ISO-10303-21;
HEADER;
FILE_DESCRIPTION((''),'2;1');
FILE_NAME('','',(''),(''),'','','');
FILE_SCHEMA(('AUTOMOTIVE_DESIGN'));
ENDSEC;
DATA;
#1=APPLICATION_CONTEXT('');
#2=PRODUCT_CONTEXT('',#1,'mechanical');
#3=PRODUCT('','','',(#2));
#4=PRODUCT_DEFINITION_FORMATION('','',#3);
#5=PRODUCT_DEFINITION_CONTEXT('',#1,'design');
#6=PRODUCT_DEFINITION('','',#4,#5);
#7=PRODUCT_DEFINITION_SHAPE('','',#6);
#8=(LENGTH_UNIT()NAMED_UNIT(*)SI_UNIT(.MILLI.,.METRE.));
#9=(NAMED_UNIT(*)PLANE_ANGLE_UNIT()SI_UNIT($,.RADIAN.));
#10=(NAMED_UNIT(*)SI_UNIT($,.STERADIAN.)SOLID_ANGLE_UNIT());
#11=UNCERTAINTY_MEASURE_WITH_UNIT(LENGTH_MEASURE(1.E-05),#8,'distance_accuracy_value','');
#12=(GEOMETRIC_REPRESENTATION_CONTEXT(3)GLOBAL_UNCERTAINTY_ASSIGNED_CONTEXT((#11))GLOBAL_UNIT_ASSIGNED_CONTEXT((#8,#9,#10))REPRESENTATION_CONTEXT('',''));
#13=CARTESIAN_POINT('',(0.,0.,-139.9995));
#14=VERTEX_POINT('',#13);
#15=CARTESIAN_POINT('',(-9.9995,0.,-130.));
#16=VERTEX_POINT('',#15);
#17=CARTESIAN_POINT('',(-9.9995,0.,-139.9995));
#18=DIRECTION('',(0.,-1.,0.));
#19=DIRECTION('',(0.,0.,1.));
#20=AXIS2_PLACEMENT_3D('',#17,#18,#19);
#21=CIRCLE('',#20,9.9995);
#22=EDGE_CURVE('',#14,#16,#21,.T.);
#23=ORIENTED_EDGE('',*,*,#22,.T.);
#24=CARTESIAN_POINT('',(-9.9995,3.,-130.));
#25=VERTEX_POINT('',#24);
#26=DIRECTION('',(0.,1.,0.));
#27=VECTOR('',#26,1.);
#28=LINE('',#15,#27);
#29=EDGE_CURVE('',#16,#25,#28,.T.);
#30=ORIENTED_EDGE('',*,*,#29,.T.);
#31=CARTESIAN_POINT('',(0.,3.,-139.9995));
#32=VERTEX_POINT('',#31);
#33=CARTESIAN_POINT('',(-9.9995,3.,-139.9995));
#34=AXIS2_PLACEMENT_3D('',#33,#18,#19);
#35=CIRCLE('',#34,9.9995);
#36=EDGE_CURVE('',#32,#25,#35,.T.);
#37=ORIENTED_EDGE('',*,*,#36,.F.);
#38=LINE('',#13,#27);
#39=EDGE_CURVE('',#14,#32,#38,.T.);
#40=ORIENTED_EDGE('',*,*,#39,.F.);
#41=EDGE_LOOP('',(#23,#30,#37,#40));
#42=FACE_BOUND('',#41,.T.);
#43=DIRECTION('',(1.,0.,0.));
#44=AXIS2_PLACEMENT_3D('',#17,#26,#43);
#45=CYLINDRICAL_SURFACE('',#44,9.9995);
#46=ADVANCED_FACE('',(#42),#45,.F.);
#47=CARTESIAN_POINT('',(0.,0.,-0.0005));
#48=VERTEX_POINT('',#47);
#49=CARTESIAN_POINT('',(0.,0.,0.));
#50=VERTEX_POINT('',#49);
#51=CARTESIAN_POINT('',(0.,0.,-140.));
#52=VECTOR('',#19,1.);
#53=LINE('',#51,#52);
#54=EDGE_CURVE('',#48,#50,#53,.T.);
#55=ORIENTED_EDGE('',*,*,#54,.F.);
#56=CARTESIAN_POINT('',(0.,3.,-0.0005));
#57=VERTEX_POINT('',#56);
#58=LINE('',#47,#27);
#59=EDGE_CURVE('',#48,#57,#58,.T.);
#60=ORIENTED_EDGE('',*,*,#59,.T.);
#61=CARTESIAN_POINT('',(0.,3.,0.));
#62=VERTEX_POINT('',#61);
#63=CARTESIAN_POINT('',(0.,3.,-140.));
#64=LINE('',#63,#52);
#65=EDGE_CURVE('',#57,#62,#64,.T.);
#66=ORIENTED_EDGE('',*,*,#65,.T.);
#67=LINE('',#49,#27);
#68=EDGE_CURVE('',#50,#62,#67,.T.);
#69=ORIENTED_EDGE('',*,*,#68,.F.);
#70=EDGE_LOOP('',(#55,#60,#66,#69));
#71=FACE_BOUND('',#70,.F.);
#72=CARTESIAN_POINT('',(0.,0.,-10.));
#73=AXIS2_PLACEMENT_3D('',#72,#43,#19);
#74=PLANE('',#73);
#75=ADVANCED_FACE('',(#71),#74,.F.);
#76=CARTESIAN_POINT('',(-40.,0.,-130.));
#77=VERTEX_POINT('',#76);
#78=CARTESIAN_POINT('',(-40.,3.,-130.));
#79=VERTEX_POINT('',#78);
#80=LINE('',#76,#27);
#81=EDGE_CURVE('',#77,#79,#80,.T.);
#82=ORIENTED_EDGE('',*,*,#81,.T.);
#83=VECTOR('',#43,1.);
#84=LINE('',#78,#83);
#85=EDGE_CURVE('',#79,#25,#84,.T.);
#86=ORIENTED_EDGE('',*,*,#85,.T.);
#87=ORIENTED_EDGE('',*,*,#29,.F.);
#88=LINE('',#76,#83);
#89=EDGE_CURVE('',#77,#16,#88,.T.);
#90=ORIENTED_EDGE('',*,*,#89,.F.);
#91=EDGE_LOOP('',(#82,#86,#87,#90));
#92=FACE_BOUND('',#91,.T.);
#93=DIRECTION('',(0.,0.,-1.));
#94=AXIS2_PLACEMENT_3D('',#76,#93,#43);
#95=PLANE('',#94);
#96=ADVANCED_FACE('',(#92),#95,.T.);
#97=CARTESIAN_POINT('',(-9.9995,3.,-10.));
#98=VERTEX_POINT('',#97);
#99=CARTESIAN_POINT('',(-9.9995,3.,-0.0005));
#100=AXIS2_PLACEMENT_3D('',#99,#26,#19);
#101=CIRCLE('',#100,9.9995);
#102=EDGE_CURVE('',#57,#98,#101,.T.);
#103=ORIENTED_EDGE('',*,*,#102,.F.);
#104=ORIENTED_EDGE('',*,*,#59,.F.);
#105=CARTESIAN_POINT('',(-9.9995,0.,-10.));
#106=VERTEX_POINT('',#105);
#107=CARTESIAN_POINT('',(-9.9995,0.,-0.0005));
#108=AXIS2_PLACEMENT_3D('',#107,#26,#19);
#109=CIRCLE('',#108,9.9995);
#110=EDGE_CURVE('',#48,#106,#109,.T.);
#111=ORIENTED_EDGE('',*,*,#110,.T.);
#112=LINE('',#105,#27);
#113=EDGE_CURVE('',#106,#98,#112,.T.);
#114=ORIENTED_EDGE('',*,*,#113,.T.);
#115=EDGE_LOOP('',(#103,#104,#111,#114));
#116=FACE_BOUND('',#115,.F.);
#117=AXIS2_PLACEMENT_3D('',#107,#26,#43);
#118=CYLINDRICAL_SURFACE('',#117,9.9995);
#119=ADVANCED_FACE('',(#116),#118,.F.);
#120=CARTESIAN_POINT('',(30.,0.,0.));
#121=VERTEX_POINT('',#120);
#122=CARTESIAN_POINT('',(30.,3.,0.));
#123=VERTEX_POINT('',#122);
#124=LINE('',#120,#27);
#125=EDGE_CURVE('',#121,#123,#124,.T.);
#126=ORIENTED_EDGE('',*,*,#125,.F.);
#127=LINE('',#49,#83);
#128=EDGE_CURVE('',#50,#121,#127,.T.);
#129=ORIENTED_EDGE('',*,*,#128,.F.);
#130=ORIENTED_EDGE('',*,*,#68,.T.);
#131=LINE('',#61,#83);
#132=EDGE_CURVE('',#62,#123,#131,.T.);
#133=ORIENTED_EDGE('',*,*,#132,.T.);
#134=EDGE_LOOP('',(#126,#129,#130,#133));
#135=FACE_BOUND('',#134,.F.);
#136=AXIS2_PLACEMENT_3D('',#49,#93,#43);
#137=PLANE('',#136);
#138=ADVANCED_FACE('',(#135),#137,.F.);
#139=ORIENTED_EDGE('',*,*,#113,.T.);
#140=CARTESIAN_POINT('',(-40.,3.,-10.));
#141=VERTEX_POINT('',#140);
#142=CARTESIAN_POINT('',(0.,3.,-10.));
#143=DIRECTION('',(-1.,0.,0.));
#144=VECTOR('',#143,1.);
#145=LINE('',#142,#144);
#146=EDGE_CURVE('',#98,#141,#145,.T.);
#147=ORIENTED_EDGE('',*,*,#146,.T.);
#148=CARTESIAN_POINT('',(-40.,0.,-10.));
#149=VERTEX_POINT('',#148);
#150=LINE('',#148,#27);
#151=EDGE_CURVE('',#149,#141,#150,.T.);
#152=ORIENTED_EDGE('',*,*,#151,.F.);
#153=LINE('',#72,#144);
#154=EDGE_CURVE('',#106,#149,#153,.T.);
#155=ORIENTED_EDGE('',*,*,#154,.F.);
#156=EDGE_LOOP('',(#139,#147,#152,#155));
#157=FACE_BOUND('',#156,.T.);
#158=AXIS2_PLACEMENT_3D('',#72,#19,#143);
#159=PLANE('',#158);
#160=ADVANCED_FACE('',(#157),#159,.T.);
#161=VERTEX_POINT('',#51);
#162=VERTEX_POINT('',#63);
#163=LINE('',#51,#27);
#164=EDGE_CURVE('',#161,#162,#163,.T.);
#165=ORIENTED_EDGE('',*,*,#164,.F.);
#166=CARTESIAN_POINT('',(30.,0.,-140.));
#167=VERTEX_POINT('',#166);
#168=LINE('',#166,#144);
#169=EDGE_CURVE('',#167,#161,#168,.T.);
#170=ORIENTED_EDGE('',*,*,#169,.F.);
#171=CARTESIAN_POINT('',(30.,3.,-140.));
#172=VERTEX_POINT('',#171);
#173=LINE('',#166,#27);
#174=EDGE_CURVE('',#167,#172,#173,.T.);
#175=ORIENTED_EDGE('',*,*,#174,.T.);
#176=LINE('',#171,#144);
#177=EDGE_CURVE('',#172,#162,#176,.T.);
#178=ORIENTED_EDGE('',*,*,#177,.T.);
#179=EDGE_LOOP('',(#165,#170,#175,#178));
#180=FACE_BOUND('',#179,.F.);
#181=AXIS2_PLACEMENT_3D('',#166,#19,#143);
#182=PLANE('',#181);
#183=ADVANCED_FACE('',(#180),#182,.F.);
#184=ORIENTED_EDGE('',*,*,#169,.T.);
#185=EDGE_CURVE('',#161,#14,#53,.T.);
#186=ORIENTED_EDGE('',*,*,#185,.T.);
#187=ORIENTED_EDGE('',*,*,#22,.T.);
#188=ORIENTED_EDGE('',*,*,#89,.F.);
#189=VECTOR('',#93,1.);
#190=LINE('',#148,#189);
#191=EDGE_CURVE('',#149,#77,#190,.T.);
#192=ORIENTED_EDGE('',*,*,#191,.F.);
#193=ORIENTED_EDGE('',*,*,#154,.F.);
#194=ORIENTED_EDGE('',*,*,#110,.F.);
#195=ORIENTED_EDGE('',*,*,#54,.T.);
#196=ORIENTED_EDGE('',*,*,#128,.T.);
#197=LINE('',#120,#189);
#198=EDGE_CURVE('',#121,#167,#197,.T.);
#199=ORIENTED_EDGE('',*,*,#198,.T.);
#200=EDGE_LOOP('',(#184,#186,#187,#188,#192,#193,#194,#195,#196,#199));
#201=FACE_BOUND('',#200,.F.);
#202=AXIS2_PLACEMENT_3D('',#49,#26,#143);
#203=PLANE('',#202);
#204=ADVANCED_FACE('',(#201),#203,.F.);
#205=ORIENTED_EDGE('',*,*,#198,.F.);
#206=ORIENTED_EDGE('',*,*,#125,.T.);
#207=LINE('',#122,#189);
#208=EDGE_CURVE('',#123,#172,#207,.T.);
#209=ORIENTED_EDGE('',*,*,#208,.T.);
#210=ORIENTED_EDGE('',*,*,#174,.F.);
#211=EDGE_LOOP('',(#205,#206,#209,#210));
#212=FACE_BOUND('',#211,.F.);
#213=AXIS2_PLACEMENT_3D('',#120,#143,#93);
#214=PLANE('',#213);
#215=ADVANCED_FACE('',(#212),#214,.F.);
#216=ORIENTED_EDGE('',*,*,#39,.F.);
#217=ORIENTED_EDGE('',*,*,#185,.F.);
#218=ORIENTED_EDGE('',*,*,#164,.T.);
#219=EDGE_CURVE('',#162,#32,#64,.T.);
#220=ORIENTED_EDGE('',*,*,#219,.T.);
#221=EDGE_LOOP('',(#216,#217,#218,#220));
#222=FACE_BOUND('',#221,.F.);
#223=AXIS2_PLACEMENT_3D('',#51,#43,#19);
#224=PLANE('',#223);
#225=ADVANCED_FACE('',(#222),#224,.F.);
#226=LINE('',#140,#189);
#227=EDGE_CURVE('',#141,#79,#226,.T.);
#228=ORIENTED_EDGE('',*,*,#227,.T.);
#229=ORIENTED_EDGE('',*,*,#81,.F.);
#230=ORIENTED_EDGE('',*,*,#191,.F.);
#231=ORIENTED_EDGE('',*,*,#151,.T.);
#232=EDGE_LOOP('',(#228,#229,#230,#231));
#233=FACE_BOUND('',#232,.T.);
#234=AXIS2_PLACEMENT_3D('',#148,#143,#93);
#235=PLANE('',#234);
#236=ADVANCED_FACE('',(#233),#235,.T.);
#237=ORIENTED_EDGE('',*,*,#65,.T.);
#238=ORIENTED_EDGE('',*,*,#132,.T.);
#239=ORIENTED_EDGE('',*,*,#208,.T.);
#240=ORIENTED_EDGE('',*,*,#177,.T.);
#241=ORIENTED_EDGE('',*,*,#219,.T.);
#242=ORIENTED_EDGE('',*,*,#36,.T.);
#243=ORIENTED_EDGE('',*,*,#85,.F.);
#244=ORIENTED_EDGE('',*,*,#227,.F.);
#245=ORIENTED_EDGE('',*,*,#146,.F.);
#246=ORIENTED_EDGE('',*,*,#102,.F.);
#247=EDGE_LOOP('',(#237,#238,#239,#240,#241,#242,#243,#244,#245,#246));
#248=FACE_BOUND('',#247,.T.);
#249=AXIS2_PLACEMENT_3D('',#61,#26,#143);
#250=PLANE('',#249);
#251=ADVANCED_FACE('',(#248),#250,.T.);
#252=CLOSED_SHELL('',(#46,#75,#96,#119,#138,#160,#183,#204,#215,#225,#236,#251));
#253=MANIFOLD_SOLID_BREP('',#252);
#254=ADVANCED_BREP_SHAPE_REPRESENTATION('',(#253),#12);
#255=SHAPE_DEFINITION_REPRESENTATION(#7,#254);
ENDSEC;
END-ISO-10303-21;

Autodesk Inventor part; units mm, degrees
ref_plane "YZ Plane" through (0, 0, 0) normal (1, 0, 0) x (0, 1, 0)
ref_plane "XZ Plane" through (0, 0, 0) normal (0, 1, 0) x (-1, 0, 0)
ref_plane "XY Plane" through (0, 0, 0) normal (0, 0, 1) x (1, 0, 0)
sketch "Sketch1" plane through (0, 0, 0) normal (0, 1, 0) x (-1, 0, 0)
  line L0 (0, 0) -> (-30, 0)
  line L1 (-30, 0) -> (-30, -140)
  line L2 (-30, -140) -> (0, -140)
  line L3 (0, -140) -> (0, 0)
  line L4 (0, 0) -> (0, -10)
  line L5 (0, -10) -> (40, -10)
  line L6 (40, -10) -> (40, -130)
  line L7 (40, -130) -> (0, -130)
  line L8 (0, -130) -> (0, -10)
  point P0 (0, -130)
  dimension "d0" = 30
  dimension "d1" = 140
  dimension "d2" = 10
  dimension "d3" = 40
  dimension "d4" = 120
extrude "Extrusion1" add sketch "Sketch1" along normal blind 3
fillet "Fillet1" radius 10 2 edges at (0, 1.5, -10) (0, 1.5, -130)
properties part number "lateral_base"
